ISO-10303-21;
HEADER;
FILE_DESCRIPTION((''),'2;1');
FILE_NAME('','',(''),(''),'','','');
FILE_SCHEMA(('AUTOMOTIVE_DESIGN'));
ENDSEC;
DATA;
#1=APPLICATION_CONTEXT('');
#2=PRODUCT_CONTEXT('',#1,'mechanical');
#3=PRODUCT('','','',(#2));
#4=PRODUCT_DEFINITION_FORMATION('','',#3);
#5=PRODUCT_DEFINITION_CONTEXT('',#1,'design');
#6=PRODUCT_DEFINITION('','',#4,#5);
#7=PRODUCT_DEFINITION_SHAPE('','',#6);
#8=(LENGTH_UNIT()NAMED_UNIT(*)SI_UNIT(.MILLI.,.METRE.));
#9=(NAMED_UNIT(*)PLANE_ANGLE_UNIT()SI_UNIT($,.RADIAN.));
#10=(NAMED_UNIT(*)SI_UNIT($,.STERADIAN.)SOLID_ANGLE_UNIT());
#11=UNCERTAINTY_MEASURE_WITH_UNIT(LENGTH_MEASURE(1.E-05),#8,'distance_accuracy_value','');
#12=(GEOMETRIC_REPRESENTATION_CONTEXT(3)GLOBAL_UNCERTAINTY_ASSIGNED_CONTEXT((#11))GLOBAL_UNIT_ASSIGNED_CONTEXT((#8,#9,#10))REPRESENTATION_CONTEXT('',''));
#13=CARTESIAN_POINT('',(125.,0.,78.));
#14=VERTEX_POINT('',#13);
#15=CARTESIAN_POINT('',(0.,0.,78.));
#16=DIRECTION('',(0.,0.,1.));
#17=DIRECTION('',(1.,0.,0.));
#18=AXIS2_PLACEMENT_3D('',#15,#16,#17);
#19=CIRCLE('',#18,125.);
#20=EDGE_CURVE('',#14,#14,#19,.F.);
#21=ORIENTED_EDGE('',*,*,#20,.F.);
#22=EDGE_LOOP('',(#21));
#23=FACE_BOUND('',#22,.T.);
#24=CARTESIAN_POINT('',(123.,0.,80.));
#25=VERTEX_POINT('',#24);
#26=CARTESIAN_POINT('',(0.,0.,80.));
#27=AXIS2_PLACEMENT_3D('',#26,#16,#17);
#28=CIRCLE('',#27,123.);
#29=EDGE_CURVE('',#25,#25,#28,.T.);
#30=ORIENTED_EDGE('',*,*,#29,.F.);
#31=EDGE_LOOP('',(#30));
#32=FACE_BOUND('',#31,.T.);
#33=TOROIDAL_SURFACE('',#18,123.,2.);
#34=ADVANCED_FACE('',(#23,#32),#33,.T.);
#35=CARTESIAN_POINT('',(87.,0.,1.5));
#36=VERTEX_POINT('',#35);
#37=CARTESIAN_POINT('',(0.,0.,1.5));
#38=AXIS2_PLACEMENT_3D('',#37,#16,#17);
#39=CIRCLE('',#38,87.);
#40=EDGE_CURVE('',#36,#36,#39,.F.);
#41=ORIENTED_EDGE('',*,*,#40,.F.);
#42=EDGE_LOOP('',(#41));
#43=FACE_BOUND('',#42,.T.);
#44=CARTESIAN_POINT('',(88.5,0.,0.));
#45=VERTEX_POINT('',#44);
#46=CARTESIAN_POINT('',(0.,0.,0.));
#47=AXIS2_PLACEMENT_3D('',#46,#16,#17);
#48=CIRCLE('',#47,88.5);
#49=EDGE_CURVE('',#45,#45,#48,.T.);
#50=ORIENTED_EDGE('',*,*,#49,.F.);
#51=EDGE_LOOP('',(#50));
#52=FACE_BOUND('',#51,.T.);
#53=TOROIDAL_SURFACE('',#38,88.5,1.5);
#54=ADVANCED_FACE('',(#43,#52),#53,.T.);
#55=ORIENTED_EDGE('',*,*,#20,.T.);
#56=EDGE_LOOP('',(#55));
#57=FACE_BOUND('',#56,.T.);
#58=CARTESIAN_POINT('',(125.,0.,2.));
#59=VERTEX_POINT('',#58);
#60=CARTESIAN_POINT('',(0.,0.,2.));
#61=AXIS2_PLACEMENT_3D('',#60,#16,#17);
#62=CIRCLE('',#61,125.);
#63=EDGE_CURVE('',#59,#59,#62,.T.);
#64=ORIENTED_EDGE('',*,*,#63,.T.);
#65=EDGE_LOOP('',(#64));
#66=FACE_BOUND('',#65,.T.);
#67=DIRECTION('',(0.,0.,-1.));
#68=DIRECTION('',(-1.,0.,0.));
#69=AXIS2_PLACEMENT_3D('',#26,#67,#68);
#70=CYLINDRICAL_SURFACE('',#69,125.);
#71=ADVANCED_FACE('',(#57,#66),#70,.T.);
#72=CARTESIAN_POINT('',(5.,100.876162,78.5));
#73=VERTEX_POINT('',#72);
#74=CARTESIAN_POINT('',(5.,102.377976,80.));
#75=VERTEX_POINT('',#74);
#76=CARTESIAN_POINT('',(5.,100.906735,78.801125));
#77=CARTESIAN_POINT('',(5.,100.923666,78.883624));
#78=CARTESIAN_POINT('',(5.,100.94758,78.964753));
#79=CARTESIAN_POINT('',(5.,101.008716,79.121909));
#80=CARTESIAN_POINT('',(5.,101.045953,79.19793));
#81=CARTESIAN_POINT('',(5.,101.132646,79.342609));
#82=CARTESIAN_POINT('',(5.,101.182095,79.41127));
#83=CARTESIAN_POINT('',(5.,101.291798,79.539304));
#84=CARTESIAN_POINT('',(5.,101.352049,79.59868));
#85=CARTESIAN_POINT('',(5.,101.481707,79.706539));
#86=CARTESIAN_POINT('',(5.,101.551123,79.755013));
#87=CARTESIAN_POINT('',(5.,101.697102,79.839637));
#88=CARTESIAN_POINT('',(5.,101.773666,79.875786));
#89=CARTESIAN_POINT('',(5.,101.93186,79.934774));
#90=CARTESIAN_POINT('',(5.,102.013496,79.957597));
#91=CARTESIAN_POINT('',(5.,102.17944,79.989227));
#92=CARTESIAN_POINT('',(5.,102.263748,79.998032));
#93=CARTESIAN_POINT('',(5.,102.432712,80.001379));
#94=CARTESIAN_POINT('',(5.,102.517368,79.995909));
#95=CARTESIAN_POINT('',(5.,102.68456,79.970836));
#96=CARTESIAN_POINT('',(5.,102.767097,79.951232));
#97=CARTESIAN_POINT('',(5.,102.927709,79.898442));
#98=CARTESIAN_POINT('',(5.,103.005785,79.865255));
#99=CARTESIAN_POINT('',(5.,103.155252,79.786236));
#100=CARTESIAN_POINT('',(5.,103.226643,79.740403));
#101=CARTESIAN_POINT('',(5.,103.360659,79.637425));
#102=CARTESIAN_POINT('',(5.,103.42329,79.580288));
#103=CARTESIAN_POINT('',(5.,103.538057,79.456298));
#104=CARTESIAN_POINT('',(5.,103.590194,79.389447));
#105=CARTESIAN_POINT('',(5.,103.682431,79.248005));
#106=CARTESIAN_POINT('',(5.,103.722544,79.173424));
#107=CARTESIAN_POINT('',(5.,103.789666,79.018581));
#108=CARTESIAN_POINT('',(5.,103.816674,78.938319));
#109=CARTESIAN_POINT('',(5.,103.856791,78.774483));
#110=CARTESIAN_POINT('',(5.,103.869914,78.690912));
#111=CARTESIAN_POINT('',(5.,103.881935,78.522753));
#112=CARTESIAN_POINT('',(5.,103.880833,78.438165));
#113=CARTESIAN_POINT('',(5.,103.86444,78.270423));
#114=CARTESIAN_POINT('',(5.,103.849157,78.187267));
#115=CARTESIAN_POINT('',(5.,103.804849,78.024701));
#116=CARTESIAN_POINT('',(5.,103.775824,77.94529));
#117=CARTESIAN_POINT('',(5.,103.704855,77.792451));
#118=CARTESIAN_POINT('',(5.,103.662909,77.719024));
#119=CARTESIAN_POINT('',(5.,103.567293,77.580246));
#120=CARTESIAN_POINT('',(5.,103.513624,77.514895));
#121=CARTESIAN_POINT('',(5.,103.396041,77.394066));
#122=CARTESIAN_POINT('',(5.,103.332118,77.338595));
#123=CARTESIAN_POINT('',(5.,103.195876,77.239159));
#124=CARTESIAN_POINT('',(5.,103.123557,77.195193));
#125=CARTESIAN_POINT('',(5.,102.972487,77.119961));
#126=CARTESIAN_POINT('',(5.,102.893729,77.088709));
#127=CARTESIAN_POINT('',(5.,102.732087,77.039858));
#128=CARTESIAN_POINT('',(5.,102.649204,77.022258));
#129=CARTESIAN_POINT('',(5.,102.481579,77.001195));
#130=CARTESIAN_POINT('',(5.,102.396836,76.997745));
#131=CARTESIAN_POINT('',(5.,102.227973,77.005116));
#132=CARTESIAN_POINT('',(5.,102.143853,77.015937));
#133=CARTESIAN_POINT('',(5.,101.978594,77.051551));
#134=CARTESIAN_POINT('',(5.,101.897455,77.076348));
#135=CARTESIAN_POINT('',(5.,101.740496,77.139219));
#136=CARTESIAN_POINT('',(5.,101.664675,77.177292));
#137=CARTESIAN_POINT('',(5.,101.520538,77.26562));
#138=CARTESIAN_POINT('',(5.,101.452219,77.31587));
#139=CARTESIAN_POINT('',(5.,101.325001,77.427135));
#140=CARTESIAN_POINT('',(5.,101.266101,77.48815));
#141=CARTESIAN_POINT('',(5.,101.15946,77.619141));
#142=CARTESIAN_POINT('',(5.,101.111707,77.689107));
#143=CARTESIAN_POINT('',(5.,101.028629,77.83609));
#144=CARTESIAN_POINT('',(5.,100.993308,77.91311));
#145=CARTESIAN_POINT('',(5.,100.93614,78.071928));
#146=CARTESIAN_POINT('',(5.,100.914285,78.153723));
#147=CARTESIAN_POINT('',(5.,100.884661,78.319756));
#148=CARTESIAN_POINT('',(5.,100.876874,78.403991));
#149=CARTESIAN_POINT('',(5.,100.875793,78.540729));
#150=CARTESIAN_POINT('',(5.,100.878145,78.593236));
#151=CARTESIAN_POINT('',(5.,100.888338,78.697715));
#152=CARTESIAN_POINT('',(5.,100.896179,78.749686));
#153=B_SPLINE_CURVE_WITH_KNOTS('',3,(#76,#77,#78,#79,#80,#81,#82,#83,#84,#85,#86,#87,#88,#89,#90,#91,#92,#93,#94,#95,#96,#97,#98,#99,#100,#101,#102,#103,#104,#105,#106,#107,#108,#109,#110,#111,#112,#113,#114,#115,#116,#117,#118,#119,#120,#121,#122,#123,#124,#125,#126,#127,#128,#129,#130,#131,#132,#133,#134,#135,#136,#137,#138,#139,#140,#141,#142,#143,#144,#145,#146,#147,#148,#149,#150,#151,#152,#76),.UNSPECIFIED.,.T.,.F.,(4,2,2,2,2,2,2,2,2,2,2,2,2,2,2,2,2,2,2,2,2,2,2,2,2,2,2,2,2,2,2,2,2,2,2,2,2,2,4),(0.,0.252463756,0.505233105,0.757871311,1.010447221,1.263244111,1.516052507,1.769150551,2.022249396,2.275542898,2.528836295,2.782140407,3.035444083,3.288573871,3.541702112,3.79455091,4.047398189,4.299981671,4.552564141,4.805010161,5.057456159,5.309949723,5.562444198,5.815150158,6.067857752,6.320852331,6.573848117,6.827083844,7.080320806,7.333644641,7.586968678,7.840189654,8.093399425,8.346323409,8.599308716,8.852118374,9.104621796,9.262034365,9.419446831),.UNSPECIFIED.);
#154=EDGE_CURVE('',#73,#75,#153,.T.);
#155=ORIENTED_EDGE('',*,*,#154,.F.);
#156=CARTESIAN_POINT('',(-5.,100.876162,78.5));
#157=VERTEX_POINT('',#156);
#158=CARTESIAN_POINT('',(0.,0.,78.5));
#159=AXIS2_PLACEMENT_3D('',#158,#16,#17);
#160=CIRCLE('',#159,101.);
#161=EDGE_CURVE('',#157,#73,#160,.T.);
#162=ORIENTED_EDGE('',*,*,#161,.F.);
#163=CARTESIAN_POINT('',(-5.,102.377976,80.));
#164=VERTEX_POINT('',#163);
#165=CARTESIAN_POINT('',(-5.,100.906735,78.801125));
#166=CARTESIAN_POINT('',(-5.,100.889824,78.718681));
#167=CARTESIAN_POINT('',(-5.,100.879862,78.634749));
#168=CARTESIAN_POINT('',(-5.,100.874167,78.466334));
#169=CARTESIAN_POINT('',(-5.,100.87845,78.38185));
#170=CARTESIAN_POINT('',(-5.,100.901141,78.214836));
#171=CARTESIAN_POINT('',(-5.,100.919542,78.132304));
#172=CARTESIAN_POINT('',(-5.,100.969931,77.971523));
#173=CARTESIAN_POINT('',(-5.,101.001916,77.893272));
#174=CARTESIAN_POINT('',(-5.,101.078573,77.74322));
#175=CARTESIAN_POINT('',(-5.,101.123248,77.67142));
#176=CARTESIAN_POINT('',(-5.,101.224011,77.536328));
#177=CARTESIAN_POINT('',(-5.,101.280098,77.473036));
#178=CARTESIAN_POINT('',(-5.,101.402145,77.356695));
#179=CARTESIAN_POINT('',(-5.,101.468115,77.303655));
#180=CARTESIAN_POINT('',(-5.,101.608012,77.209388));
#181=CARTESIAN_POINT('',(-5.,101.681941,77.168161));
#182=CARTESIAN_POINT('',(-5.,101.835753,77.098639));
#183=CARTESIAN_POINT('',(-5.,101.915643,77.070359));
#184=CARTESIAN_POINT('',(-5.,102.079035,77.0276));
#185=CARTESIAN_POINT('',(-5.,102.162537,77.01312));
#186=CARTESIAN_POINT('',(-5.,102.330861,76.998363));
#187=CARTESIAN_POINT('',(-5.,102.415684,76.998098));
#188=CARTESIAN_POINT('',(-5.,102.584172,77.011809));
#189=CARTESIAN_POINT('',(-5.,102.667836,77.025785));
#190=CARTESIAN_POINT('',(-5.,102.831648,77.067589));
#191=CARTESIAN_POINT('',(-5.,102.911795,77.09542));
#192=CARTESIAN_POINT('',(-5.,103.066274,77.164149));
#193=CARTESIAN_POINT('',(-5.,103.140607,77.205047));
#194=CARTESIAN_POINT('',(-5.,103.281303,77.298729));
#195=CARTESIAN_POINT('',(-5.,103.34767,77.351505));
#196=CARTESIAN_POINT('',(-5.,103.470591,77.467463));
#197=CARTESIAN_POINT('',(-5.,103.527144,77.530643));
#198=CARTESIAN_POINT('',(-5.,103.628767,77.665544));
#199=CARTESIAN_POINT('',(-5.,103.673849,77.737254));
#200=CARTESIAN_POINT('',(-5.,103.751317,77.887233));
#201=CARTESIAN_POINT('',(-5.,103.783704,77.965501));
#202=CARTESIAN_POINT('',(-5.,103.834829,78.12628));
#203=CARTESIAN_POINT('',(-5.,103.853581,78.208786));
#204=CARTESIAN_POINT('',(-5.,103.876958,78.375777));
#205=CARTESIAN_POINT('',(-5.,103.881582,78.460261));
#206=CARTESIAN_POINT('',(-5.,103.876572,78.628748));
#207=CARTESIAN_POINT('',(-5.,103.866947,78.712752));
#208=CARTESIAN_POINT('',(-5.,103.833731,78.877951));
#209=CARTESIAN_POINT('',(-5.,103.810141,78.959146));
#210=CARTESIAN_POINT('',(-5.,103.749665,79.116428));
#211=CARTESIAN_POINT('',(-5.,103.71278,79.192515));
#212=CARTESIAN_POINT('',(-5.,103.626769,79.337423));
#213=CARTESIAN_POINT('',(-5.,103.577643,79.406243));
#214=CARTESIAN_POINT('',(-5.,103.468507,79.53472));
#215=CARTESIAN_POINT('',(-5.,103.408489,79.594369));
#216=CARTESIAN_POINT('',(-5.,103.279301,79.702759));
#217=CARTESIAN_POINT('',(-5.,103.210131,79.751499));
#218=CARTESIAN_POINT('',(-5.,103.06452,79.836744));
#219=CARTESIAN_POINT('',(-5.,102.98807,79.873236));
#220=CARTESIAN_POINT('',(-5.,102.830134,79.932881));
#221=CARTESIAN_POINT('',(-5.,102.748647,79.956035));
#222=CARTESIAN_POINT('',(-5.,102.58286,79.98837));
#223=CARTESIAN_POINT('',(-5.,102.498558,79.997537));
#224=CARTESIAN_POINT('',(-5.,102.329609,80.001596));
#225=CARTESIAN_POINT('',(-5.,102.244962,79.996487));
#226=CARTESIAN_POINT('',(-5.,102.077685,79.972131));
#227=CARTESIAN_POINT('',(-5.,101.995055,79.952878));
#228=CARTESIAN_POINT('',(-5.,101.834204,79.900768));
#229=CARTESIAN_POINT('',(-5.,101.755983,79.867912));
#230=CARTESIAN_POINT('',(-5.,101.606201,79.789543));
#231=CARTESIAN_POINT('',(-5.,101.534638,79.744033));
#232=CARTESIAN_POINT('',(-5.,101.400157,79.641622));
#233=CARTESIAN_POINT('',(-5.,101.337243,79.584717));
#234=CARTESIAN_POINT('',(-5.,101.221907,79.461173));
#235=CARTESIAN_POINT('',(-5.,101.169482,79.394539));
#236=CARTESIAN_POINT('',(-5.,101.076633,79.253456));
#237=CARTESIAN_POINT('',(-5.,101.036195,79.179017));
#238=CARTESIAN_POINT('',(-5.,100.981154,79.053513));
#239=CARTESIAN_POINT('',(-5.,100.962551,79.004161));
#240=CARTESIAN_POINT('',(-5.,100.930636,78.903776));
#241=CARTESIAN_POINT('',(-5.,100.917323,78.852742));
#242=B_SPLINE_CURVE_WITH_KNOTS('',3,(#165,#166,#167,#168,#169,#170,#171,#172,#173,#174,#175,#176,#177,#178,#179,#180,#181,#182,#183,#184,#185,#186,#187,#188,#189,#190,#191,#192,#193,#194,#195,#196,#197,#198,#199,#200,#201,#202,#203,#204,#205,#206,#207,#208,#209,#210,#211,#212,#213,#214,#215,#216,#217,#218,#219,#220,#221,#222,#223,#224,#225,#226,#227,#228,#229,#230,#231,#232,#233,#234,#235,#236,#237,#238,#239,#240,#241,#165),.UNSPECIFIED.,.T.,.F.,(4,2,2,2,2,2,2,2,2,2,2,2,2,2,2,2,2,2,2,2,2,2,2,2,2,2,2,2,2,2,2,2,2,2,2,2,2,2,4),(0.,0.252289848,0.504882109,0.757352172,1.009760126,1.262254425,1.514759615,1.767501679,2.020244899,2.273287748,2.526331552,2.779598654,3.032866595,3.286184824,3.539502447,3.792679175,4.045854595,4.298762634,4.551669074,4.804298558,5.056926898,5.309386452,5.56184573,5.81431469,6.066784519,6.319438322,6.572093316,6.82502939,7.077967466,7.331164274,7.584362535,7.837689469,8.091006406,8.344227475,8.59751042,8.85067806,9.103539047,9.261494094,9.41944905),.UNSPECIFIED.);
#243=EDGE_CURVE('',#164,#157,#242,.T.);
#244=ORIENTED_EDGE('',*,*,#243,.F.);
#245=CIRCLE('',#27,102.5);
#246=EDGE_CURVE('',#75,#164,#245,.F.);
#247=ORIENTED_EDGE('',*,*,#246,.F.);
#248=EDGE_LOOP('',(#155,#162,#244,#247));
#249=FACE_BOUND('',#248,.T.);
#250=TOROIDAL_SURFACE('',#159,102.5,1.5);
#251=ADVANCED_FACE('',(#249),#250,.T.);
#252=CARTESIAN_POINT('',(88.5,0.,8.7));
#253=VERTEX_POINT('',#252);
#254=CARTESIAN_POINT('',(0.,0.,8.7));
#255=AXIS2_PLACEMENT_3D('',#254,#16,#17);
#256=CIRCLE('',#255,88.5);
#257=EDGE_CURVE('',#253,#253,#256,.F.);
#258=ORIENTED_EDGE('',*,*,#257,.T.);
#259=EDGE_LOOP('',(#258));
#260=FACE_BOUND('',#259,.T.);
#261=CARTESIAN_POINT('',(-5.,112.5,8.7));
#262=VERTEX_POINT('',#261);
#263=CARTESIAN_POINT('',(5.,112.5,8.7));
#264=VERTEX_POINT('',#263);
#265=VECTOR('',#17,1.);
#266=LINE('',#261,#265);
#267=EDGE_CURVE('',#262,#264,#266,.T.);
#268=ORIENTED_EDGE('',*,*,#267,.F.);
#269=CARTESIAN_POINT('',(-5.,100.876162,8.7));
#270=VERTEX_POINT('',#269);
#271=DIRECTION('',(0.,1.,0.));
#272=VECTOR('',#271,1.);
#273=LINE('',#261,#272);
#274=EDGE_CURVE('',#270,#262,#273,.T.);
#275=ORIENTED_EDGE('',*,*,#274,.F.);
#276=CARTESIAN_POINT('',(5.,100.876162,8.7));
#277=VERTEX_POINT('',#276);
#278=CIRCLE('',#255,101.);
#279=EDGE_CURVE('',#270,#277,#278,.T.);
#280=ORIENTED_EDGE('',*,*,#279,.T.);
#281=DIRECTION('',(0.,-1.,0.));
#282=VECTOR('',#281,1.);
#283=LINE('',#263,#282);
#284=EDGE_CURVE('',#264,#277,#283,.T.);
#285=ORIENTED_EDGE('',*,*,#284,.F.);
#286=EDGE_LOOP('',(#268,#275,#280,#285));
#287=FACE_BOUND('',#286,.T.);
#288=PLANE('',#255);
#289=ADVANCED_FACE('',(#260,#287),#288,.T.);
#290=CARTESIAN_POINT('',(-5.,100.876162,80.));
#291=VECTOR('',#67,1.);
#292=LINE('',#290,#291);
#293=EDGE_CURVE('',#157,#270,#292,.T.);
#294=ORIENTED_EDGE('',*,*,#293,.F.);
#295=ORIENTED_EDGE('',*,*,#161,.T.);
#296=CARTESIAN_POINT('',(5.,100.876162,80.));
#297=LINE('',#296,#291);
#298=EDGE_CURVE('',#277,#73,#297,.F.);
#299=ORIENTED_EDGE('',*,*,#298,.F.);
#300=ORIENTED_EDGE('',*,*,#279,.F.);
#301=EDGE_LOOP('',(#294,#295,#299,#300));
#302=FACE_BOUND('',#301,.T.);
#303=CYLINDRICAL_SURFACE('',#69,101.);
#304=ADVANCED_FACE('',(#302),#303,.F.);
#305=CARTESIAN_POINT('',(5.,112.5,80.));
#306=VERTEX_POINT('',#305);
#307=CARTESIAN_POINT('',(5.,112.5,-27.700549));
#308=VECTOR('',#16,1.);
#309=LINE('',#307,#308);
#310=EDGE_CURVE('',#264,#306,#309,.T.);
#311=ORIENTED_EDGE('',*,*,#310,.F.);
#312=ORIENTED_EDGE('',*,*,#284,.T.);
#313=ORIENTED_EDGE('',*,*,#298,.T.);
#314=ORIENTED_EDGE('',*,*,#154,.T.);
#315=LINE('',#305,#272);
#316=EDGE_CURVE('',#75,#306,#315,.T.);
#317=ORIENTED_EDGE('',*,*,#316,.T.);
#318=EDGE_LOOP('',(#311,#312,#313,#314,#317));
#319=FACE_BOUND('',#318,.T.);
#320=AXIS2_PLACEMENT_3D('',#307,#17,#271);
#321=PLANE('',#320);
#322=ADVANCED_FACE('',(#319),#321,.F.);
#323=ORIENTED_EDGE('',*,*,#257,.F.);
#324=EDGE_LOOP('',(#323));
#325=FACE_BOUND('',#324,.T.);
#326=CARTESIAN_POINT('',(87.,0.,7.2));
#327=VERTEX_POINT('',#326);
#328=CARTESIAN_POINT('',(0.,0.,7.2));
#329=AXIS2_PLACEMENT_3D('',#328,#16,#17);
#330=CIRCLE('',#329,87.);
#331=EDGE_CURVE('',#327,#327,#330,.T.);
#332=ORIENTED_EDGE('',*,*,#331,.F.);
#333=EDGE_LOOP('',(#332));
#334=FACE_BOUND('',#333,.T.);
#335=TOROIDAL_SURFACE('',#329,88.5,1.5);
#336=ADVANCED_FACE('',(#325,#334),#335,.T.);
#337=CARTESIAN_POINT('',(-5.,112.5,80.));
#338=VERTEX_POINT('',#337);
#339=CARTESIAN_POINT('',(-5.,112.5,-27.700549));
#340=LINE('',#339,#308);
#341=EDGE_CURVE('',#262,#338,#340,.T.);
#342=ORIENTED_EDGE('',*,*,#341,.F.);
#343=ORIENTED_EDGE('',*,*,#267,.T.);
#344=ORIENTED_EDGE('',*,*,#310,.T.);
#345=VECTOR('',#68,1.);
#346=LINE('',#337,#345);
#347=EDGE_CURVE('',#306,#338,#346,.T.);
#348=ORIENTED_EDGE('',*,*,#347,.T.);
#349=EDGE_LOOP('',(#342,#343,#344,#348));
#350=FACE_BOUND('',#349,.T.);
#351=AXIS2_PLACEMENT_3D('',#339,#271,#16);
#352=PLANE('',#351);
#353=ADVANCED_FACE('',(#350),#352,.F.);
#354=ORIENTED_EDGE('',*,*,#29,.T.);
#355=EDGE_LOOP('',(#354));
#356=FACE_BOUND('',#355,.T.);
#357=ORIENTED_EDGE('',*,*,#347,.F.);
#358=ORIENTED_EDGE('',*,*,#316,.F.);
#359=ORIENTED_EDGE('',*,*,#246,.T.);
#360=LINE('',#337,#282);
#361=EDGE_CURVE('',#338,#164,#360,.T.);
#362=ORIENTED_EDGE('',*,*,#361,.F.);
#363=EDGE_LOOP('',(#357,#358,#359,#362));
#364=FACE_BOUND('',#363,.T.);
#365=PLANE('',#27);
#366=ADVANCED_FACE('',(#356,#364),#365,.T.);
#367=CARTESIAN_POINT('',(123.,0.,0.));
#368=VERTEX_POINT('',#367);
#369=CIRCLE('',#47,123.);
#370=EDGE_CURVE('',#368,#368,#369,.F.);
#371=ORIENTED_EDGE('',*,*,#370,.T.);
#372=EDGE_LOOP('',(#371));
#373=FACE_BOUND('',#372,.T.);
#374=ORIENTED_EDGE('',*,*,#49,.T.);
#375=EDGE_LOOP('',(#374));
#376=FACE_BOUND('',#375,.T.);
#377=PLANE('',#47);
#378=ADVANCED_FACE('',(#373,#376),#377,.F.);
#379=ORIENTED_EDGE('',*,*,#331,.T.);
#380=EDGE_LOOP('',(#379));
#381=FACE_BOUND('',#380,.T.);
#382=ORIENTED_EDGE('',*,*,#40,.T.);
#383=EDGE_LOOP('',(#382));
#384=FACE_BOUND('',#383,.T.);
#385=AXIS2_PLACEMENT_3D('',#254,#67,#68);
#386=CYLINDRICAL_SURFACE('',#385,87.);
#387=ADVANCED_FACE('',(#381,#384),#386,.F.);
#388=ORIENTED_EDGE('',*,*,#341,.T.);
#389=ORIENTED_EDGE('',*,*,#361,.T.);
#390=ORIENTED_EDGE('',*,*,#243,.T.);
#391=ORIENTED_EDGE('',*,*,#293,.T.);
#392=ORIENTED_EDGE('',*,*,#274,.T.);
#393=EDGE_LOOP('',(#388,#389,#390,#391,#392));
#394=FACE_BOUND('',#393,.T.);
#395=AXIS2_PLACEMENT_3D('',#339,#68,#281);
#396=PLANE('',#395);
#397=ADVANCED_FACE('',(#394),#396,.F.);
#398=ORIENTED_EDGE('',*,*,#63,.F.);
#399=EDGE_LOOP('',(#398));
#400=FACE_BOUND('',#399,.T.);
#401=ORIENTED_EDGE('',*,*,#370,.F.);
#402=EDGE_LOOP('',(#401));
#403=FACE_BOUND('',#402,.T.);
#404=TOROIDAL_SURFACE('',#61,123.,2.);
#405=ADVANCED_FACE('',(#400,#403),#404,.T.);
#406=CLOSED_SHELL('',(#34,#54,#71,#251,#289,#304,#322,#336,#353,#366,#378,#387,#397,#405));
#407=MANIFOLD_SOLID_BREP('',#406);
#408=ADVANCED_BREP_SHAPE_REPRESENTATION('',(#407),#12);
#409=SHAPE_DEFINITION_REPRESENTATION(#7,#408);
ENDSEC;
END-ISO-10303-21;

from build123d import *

# Parameters (mm, degrees)
SCHIZZO1_R                   = 125
SCHIZZO1_R_2                 = 101
ESTRUSIONE_ESTRUSIONE1_DEPTH = 80
RACCORDO1_R                  = 2
SCHIZZO3_R                   = 101
SCHIZZO3_R_2                 = 87
ESTRUSIONE_ESTRUSIONE2_DEPTH = 8.7
RACCORDO2_R                  = 1.5
SCHIZZO14_W                  = 10
SCHIZZO14_H                  = 35
TAGLIO_ESTRUSIONE1_DEPTH     = 71.3


with BuildPart() as part:
    # Schizzo1 → Estrusione-Estrusione1 (new body)
    with BuildSketch(Plane.XY):
        Circle(SCHIZZO1_R)
        Circle(SCHIZZO1_R_2, mode=Mode.SUBTRACT)
    extrude(amount=ESTRUSIONE_ESTRUSIONE1_DEPTH)

    # Raccordo1
    raccordo1_edges = [part.edges().sort_by_distance(p)[0] for p in [
        (-125, 0, 0),
        (-125, 0, 80),
    ]]
    fillet(raccordo1_edges, radius=RACCORDO1_R)

    # Schizzo3 → Estrusione-Estrusione2 (add)
    with BuildSketch(Plane.XY):
        Circle(SCHIZZO3_R)
        Circle(SCHIZZO3_R_2, mode=Mode.SUBTRACT)
    extrude(amount=ESTRUSIONE_ESTRUSIONE2_DEPTH)

    # Raccordo2
    raccordo2_edges = [part.edges().sort_by_distance(p)[0] for p in [
        (-87, 0, 0),
        (-87, 0, 8.7),
        (-101, 0, 80),
    ]]
    fillet(raccordo2_edges, radius=RACCORDO2_R)

    # Schizzo14 → Taglio-Estrusione1 (cut)
    with BuildSketch(Plane.XY.offset(80)):
        with Locations((0, 95)):
            Rectangle(SCHIZZO14_W, SCHIZZO14_H)
    extrude(amount=-TAGLIO_ESTRUSIONE1_DEPTH, mode=Mode.SUBTRACT)


solid = part.part
